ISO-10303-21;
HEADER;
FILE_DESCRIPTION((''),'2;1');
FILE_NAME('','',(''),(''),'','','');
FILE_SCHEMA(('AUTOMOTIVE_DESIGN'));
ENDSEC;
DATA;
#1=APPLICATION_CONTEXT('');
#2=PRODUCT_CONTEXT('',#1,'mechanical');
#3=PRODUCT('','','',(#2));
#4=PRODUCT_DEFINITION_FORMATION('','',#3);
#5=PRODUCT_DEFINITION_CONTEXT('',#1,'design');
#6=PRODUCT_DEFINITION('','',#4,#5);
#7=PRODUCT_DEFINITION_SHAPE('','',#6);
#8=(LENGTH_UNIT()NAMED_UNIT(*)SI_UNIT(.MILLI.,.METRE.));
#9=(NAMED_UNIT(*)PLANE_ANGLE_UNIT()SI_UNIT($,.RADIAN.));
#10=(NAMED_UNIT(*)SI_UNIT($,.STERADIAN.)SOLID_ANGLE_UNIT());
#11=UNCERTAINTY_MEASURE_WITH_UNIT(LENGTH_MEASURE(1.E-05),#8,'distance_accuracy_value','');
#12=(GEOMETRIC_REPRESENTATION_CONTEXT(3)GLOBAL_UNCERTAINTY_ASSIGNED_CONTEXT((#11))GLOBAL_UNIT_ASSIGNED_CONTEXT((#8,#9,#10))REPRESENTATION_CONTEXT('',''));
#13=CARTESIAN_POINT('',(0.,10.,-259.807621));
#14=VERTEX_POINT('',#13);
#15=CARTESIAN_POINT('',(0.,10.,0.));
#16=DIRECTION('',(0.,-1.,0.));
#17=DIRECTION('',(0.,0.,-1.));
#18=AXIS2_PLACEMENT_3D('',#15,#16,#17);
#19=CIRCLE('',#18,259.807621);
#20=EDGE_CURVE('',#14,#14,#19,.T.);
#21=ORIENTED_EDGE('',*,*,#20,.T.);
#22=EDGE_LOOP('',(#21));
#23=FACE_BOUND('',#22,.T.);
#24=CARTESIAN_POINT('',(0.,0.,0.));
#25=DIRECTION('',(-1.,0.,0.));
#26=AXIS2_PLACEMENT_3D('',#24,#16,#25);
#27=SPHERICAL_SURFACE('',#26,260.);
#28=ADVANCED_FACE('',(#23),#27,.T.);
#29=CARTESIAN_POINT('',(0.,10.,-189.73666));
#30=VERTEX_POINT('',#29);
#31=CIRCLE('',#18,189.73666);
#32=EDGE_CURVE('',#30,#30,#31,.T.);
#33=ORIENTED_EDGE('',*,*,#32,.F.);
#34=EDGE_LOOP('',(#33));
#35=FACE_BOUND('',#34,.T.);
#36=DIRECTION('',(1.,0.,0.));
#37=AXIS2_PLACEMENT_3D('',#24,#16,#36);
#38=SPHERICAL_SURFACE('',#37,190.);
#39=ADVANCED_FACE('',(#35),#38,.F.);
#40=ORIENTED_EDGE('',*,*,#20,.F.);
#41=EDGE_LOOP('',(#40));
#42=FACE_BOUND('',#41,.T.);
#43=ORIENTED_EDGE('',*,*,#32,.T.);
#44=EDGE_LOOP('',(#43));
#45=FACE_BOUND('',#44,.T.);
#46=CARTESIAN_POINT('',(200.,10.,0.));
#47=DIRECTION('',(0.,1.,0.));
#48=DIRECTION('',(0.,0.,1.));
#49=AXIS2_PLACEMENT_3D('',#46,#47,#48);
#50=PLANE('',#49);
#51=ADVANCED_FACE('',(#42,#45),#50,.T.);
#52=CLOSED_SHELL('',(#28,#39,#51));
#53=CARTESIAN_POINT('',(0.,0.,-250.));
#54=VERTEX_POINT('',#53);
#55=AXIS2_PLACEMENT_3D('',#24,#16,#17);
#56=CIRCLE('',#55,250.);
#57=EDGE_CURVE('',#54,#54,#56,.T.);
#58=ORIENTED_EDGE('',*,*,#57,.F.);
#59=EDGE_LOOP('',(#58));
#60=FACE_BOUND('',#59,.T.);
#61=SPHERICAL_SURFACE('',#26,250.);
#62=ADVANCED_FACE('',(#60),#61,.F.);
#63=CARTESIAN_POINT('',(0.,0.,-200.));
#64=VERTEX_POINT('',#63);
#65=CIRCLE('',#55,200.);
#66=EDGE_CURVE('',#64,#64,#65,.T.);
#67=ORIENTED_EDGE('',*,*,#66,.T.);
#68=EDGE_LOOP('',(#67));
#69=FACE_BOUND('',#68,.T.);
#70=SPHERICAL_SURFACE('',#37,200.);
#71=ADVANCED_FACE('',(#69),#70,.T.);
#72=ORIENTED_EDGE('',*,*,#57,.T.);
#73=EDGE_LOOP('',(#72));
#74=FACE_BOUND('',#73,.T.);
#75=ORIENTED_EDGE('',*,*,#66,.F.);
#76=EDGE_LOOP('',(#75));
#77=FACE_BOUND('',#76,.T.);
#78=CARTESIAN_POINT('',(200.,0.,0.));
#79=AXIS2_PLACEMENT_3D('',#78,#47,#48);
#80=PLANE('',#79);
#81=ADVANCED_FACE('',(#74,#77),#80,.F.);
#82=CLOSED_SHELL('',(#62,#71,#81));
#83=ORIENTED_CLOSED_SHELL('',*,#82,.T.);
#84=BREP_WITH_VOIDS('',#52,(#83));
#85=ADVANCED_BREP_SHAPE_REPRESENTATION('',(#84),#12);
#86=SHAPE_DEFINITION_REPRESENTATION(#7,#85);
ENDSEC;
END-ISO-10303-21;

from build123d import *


with BuildPart() as part:
    # Sketch1 → Revolve-Thin1 (revolve)
    with BuildSketch(Plane.XY):
        with BuildLine():
            ThreePointArc((0, -200), (141.421356237, -141.421356237), (200, 0))
            Line((200, 0), (250, 0))
            ThreePointArc((250, 0), (176.776695297, -176.776695297), (0, -250))
            Line((0, -250), (0, -260))
            ThreePointArc((0, -260), (187.349939952, -180.277563773), (259.807621135, 10))
            Line((259.807621135, 10), (189.73665961, 10))
            ThreePointArc((189.73665961, 10), (137.840487521, -130.766968306), (0, -190))
            Line((0, -190), (0, -200))
        make_face()
    revolve(axis=Axis((0, -250, 0), (0, 1, 0)))


solid = part.part
